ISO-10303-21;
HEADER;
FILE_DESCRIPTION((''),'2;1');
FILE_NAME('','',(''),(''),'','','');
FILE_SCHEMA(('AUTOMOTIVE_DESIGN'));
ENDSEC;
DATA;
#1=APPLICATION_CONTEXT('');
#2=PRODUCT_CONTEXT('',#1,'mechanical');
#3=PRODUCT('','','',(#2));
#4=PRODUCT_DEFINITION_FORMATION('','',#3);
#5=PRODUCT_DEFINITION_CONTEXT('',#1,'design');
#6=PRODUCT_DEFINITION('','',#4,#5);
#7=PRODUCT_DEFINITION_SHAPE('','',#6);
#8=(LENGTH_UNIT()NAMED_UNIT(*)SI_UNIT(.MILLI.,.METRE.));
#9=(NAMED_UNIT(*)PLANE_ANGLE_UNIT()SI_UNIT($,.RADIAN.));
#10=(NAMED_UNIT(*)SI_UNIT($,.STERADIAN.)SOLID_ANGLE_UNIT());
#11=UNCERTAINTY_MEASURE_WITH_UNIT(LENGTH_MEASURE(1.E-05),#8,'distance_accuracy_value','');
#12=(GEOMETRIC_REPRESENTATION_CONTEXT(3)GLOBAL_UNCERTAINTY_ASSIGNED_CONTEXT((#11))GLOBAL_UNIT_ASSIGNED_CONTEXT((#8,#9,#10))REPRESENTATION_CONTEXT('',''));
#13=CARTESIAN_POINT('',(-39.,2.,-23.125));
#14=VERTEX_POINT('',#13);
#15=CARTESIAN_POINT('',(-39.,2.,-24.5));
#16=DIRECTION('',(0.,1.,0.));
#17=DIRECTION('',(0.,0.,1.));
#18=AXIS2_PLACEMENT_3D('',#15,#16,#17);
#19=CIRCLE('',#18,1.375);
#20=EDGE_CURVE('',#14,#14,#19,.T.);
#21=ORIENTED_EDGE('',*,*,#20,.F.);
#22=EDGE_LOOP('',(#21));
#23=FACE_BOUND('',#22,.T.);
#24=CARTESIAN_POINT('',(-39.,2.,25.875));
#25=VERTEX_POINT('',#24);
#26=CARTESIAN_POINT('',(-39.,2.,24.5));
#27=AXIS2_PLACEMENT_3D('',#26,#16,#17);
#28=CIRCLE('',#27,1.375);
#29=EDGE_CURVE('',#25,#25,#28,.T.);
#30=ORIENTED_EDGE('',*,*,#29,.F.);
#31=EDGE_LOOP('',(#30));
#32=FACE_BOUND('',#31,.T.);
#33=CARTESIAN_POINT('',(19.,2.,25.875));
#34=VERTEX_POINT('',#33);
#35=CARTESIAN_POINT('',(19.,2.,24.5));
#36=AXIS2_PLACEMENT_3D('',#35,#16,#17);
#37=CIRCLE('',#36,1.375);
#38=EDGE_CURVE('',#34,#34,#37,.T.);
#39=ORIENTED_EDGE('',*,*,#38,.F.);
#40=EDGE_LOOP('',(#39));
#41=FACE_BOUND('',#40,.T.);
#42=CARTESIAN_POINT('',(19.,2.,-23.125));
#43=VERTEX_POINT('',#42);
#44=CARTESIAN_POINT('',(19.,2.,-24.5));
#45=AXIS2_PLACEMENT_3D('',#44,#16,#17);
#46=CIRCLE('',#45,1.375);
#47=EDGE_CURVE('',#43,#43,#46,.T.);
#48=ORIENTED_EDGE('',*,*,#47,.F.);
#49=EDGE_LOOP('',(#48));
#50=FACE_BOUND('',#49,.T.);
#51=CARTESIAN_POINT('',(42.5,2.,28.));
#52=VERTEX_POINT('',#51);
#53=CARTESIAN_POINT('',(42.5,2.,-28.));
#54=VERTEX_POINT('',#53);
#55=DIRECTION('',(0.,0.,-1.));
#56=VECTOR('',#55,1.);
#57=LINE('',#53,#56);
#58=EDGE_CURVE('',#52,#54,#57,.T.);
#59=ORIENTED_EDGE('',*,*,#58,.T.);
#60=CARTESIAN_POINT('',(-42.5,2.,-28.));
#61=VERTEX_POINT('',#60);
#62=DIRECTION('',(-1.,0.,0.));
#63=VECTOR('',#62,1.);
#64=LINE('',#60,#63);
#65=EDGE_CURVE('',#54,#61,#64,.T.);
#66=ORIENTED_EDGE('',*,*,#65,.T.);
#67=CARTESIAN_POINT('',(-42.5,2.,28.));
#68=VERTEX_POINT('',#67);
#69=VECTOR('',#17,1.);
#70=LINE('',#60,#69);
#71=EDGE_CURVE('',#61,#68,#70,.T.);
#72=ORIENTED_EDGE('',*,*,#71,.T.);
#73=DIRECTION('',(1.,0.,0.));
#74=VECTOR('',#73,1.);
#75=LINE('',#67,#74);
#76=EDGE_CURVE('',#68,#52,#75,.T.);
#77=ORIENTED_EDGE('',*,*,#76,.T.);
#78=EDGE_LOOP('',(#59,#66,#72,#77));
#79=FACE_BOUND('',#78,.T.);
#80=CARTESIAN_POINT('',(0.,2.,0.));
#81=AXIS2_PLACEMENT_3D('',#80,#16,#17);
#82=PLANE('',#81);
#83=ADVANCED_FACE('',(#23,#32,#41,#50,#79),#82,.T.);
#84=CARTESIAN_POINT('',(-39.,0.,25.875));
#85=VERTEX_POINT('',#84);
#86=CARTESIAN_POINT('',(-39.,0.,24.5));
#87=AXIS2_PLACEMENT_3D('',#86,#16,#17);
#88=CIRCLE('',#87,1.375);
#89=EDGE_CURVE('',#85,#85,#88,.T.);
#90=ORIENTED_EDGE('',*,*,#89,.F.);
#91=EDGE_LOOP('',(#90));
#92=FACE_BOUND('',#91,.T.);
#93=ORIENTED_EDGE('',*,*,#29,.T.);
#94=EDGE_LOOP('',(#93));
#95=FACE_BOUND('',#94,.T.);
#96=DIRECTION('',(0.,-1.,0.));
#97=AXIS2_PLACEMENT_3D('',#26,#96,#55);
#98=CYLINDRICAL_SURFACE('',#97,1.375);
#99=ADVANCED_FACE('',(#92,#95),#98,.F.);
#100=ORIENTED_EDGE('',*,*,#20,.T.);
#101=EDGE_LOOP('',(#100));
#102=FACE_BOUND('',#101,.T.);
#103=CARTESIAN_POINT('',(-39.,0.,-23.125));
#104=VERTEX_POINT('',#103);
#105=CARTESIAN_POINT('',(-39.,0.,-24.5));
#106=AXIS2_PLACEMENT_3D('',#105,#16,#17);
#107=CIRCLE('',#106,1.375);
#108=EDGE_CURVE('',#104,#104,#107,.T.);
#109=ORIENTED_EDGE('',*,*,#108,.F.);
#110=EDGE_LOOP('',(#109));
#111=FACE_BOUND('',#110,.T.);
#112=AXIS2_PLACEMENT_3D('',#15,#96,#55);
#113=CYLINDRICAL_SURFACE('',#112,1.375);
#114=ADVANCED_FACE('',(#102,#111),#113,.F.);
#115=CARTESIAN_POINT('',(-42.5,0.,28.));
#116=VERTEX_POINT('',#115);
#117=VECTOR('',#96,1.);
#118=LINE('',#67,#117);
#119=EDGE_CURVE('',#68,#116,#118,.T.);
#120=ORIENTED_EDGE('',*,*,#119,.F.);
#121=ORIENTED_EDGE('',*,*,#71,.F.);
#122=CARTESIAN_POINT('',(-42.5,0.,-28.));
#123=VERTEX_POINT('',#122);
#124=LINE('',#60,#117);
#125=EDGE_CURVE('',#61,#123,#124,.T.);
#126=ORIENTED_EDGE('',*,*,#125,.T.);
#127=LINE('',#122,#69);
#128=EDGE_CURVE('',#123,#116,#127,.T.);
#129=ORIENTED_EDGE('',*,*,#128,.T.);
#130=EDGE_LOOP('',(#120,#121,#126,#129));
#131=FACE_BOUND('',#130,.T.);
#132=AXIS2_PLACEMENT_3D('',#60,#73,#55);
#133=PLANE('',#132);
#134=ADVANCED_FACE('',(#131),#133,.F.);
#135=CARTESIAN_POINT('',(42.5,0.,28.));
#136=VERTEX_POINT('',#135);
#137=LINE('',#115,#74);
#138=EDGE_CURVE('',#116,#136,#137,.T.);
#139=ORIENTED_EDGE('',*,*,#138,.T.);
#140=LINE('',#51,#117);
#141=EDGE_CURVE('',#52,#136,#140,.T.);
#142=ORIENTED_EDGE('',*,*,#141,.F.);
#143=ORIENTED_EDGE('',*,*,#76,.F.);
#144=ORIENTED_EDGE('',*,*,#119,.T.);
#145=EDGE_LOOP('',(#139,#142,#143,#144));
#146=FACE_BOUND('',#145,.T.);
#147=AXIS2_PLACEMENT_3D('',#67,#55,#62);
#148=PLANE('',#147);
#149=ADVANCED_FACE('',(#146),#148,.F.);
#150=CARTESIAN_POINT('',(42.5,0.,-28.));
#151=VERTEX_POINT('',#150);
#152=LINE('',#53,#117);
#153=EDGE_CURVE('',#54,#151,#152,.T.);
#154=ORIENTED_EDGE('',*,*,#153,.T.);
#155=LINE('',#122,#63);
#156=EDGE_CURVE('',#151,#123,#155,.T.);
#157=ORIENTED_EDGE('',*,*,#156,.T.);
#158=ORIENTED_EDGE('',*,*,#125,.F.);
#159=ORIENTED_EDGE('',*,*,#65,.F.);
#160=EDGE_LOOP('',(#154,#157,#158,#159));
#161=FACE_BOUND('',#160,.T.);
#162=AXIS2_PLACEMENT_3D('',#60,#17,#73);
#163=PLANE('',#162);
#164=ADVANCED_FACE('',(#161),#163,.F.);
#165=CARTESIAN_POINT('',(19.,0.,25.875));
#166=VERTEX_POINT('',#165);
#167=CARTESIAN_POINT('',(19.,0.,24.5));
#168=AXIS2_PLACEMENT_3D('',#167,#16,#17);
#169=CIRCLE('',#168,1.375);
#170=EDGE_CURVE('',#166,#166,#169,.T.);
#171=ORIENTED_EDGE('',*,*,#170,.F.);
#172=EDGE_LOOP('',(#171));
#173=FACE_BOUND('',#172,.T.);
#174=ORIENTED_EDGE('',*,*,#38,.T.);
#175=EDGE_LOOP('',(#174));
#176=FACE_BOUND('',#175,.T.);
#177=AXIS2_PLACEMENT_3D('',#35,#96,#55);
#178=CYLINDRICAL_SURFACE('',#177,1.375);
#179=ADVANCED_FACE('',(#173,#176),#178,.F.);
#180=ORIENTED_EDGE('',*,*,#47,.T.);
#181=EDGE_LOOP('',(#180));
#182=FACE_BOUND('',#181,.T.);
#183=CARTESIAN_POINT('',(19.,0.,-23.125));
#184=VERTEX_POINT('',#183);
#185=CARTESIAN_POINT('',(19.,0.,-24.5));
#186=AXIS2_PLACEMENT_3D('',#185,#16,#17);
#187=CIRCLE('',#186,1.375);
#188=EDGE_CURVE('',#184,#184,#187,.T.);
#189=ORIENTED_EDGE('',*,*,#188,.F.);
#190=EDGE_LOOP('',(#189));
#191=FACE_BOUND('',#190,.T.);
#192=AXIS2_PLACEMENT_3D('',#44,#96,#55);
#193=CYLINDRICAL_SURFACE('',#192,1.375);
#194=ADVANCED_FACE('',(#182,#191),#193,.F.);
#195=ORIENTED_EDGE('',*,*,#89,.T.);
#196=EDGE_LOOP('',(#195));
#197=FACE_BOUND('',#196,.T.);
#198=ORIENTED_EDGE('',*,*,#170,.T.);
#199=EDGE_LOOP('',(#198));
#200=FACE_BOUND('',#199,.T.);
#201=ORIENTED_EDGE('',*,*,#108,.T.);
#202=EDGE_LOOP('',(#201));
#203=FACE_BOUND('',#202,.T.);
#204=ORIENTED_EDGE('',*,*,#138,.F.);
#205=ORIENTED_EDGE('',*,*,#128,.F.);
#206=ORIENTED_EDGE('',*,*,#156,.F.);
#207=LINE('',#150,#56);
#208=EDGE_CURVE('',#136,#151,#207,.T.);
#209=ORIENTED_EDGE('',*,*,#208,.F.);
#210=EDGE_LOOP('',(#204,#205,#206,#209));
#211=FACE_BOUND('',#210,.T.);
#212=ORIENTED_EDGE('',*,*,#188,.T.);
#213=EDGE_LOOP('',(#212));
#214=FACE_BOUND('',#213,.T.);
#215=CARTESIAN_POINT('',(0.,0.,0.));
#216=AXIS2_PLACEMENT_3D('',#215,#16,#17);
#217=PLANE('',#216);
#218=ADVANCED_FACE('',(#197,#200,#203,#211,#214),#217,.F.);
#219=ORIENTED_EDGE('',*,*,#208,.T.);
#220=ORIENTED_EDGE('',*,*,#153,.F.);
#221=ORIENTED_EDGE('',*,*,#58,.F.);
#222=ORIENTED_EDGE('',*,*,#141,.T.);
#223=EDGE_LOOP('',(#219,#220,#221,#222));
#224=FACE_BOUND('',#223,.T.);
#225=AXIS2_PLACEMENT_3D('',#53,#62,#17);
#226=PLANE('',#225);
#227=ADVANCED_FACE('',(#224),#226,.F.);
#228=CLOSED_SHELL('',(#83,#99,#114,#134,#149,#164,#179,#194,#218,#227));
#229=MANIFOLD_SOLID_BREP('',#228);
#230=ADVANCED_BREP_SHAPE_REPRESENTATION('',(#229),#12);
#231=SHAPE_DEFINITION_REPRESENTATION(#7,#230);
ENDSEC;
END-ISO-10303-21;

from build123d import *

# Parameters (mm, degrees)
ESBO_O1_W                = 85
ESBO_O1_H                = 56
ESBO_O1_R                = 1.375
RESSALTO_EXTRUS_O1_DEPTH = 2


with BuildPart() as part:
    # Esboço1 → Ressalto-extrusão1 (new body)
    with BuildSketch(Plane(origin=(0, 0, 0), x_dir=(1, 0, 0), z_dir=(0, 1, 0))):
        Rectangle(ESBO_O1_W, ESBO_O1_H)
        with Locations(Location((-39, -24.5, 0), (0, 0, 270))):
            Circle(ESBO_O1_R, mode=Mode.SUBTRACT)
        with Locations(Location((-39, 24.5, 0), (0, 0, 270))):
            Circle(ESBO_O1_R, mode=Mode.SUBTRACT)
        with Locations(Location((19, -24.5, 0), (0, 0, 270))):
            Circle(ESBO_O1_R, mode=Mode.SUBTRACT)
        with Locations(Location((19, 24.5, 0), (0, 0, 270))):
            Circle(ESBO_O1_R, mode=Mode.SUBTRACT)
    extrude(amount=RESSALTO_EXTRUS_O1_DEPTH)


solid = part.part
